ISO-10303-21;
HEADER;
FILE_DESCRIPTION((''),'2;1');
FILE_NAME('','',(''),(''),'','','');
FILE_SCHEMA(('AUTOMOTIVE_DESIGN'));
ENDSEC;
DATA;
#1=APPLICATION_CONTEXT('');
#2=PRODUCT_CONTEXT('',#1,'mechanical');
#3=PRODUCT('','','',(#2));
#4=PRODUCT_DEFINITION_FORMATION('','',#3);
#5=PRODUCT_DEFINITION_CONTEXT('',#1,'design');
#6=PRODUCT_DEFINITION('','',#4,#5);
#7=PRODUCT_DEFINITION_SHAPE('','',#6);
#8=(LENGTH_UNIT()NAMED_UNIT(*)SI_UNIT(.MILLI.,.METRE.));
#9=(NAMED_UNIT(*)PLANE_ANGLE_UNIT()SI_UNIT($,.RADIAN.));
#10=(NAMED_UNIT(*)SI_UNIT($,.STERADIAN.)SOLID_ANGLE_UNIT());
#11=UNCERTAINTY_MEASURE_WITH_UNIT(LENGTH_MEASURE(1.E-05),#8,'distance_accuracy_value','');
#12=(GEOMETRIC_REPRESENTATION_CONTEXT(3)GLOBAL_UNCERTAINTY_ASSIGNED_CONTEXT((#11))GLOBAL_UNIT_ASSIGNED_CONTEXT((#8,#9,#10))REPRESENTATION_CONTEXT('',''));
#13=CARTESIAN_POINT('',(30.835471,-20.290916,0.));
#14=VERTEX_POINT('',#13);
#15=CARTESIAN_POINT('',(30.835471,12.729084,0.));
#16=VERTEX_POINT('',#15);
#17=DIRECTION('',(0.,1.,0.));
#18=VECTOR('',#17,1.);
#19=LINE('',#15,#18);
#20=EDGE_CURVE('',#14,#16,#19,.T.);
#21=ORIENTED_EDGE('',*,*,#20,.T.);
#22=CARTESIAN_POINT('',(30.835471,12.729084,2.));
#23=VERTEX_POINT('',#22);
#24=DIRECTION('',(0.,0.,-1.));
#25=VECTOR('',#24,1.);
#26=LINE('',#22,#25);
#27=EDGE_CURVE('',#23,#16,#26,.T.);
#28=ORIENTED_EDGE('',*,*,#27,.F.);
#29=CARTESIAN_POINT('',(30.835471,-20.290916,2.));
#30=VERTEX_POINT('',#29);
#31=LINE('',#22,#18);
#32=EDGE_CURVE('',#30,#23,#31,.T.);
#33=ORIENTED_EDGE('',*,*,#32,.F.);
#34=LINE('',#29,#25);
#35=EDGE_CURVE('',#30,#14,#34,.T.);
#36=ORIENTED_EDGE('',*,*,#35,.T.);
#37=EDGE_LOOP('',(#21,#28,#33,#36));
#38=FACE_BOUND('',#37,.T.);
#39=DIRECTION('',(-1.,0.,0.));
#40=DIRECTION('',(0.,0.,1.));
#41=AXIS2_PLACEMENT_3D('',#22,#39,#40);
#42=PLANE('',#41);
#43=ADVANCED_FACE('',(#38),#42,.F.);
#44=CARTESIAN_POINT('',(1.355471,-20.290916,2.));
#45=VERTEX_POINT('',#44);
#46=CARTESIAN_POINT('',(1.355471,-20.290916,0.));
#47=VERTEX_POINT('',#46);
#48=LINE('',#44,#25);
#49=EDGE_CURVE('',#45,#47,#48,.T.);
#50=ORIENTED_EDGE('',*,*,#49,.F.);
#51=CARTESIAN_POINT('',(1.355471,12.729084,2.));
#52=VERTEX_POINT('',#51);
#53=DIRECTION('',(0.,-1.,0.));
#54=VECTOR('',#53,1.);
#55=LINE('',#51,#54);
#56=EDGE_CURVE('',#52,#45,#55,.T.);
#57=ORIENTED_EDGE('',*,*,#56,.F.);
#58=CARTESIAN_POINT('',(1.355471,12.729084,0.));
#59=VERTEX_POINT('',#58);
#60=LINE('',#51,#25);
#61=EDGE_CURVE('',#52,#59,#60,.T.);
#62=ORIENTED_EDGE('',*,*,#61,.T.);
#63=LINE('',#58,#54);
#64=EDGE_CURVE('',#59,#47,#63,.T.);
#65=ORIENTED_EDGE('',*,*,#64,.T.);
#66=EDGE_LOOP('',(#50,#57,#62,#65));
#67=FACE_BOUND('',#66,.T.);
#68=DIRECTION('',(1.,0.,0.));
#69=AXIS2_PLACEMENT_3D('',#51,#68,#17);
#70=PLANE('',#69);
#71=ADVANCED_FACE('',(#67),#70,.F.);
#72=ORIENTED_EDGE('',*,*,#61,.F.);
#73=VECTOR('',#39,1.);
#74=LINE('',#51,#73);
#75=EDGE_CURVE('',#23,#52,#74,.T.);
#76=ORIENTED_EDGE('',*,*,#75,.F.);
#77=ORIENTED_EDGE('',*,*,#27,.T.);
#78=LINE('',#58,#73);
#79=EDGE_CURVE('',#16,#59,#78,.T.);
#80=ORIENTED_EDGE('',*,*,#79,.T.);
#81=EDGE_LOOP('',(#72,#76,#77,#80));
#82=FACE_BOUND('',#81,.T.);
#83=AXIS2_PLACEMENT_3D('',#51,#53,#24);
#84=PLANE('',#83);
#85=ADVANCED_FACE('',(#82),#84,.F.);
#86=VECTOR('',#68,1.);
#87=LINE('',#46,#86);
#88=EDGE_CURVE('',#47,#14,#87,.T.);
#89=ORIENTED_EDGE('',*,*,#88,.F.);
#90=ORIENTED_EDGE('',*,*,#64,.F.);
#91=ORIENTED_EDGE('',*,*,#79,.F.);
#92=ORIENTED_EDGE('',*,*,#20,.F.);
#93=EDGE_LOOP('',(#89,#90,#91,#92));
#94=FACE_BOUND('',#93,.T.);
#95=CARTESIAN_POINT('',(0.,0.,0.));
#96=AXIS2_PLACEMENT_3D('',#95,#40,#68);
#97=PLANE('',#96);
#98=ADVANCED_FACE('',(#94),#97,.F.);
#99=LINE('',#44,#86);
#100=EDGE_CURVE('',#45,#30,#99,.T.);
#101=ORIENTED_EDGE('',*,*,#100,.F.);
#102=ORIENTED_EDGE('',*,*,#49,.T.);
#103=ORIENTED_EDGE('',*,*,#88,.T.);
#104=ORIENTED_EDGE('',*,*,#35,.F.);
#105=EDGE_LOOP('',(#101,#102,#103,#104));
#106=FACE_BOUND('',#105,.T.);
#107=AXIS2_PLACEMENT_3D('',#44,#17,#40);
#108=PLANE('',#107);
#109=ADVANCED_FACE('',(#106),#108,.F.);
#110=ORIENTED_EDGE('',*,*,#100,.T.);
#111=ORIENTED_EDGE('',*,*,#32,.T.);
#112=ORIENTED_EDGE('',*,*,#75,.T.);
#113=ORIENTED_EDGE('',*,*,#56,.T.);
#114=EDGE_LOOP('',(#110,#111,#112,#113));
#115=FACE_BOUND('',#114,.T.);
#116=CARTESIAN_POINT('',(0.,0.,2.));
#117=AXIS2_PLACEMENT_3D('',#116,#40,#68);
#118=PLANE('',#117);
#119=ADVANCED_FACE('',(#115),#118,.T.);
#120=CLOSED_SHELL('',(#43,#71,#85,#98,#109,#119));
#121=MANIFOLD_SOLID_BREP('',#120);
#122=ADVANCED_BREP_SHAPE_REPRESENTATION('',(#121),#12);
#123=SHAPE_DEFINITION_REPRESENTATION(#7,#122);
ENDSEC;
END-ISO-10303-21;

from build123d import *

# Parameters (mm, degrees)
SKETCH1_W           = 29.48
SKETCH1_H           = 33.02
BOSS_EXTRUDE1_DEPTH = 2


with BuildPart() as part:
    # Sketch1 → Boss-Extrude1 (new body)
    with BuildSketch(Plane.XY):
        with Locations((16.095470738, -3.780916031)):
            Rectangle(SKETCH1_W, SKETCH1_H)
    extrude(amount=BOSS_EXTRUDE1_DEPTH)


solid = part.part
